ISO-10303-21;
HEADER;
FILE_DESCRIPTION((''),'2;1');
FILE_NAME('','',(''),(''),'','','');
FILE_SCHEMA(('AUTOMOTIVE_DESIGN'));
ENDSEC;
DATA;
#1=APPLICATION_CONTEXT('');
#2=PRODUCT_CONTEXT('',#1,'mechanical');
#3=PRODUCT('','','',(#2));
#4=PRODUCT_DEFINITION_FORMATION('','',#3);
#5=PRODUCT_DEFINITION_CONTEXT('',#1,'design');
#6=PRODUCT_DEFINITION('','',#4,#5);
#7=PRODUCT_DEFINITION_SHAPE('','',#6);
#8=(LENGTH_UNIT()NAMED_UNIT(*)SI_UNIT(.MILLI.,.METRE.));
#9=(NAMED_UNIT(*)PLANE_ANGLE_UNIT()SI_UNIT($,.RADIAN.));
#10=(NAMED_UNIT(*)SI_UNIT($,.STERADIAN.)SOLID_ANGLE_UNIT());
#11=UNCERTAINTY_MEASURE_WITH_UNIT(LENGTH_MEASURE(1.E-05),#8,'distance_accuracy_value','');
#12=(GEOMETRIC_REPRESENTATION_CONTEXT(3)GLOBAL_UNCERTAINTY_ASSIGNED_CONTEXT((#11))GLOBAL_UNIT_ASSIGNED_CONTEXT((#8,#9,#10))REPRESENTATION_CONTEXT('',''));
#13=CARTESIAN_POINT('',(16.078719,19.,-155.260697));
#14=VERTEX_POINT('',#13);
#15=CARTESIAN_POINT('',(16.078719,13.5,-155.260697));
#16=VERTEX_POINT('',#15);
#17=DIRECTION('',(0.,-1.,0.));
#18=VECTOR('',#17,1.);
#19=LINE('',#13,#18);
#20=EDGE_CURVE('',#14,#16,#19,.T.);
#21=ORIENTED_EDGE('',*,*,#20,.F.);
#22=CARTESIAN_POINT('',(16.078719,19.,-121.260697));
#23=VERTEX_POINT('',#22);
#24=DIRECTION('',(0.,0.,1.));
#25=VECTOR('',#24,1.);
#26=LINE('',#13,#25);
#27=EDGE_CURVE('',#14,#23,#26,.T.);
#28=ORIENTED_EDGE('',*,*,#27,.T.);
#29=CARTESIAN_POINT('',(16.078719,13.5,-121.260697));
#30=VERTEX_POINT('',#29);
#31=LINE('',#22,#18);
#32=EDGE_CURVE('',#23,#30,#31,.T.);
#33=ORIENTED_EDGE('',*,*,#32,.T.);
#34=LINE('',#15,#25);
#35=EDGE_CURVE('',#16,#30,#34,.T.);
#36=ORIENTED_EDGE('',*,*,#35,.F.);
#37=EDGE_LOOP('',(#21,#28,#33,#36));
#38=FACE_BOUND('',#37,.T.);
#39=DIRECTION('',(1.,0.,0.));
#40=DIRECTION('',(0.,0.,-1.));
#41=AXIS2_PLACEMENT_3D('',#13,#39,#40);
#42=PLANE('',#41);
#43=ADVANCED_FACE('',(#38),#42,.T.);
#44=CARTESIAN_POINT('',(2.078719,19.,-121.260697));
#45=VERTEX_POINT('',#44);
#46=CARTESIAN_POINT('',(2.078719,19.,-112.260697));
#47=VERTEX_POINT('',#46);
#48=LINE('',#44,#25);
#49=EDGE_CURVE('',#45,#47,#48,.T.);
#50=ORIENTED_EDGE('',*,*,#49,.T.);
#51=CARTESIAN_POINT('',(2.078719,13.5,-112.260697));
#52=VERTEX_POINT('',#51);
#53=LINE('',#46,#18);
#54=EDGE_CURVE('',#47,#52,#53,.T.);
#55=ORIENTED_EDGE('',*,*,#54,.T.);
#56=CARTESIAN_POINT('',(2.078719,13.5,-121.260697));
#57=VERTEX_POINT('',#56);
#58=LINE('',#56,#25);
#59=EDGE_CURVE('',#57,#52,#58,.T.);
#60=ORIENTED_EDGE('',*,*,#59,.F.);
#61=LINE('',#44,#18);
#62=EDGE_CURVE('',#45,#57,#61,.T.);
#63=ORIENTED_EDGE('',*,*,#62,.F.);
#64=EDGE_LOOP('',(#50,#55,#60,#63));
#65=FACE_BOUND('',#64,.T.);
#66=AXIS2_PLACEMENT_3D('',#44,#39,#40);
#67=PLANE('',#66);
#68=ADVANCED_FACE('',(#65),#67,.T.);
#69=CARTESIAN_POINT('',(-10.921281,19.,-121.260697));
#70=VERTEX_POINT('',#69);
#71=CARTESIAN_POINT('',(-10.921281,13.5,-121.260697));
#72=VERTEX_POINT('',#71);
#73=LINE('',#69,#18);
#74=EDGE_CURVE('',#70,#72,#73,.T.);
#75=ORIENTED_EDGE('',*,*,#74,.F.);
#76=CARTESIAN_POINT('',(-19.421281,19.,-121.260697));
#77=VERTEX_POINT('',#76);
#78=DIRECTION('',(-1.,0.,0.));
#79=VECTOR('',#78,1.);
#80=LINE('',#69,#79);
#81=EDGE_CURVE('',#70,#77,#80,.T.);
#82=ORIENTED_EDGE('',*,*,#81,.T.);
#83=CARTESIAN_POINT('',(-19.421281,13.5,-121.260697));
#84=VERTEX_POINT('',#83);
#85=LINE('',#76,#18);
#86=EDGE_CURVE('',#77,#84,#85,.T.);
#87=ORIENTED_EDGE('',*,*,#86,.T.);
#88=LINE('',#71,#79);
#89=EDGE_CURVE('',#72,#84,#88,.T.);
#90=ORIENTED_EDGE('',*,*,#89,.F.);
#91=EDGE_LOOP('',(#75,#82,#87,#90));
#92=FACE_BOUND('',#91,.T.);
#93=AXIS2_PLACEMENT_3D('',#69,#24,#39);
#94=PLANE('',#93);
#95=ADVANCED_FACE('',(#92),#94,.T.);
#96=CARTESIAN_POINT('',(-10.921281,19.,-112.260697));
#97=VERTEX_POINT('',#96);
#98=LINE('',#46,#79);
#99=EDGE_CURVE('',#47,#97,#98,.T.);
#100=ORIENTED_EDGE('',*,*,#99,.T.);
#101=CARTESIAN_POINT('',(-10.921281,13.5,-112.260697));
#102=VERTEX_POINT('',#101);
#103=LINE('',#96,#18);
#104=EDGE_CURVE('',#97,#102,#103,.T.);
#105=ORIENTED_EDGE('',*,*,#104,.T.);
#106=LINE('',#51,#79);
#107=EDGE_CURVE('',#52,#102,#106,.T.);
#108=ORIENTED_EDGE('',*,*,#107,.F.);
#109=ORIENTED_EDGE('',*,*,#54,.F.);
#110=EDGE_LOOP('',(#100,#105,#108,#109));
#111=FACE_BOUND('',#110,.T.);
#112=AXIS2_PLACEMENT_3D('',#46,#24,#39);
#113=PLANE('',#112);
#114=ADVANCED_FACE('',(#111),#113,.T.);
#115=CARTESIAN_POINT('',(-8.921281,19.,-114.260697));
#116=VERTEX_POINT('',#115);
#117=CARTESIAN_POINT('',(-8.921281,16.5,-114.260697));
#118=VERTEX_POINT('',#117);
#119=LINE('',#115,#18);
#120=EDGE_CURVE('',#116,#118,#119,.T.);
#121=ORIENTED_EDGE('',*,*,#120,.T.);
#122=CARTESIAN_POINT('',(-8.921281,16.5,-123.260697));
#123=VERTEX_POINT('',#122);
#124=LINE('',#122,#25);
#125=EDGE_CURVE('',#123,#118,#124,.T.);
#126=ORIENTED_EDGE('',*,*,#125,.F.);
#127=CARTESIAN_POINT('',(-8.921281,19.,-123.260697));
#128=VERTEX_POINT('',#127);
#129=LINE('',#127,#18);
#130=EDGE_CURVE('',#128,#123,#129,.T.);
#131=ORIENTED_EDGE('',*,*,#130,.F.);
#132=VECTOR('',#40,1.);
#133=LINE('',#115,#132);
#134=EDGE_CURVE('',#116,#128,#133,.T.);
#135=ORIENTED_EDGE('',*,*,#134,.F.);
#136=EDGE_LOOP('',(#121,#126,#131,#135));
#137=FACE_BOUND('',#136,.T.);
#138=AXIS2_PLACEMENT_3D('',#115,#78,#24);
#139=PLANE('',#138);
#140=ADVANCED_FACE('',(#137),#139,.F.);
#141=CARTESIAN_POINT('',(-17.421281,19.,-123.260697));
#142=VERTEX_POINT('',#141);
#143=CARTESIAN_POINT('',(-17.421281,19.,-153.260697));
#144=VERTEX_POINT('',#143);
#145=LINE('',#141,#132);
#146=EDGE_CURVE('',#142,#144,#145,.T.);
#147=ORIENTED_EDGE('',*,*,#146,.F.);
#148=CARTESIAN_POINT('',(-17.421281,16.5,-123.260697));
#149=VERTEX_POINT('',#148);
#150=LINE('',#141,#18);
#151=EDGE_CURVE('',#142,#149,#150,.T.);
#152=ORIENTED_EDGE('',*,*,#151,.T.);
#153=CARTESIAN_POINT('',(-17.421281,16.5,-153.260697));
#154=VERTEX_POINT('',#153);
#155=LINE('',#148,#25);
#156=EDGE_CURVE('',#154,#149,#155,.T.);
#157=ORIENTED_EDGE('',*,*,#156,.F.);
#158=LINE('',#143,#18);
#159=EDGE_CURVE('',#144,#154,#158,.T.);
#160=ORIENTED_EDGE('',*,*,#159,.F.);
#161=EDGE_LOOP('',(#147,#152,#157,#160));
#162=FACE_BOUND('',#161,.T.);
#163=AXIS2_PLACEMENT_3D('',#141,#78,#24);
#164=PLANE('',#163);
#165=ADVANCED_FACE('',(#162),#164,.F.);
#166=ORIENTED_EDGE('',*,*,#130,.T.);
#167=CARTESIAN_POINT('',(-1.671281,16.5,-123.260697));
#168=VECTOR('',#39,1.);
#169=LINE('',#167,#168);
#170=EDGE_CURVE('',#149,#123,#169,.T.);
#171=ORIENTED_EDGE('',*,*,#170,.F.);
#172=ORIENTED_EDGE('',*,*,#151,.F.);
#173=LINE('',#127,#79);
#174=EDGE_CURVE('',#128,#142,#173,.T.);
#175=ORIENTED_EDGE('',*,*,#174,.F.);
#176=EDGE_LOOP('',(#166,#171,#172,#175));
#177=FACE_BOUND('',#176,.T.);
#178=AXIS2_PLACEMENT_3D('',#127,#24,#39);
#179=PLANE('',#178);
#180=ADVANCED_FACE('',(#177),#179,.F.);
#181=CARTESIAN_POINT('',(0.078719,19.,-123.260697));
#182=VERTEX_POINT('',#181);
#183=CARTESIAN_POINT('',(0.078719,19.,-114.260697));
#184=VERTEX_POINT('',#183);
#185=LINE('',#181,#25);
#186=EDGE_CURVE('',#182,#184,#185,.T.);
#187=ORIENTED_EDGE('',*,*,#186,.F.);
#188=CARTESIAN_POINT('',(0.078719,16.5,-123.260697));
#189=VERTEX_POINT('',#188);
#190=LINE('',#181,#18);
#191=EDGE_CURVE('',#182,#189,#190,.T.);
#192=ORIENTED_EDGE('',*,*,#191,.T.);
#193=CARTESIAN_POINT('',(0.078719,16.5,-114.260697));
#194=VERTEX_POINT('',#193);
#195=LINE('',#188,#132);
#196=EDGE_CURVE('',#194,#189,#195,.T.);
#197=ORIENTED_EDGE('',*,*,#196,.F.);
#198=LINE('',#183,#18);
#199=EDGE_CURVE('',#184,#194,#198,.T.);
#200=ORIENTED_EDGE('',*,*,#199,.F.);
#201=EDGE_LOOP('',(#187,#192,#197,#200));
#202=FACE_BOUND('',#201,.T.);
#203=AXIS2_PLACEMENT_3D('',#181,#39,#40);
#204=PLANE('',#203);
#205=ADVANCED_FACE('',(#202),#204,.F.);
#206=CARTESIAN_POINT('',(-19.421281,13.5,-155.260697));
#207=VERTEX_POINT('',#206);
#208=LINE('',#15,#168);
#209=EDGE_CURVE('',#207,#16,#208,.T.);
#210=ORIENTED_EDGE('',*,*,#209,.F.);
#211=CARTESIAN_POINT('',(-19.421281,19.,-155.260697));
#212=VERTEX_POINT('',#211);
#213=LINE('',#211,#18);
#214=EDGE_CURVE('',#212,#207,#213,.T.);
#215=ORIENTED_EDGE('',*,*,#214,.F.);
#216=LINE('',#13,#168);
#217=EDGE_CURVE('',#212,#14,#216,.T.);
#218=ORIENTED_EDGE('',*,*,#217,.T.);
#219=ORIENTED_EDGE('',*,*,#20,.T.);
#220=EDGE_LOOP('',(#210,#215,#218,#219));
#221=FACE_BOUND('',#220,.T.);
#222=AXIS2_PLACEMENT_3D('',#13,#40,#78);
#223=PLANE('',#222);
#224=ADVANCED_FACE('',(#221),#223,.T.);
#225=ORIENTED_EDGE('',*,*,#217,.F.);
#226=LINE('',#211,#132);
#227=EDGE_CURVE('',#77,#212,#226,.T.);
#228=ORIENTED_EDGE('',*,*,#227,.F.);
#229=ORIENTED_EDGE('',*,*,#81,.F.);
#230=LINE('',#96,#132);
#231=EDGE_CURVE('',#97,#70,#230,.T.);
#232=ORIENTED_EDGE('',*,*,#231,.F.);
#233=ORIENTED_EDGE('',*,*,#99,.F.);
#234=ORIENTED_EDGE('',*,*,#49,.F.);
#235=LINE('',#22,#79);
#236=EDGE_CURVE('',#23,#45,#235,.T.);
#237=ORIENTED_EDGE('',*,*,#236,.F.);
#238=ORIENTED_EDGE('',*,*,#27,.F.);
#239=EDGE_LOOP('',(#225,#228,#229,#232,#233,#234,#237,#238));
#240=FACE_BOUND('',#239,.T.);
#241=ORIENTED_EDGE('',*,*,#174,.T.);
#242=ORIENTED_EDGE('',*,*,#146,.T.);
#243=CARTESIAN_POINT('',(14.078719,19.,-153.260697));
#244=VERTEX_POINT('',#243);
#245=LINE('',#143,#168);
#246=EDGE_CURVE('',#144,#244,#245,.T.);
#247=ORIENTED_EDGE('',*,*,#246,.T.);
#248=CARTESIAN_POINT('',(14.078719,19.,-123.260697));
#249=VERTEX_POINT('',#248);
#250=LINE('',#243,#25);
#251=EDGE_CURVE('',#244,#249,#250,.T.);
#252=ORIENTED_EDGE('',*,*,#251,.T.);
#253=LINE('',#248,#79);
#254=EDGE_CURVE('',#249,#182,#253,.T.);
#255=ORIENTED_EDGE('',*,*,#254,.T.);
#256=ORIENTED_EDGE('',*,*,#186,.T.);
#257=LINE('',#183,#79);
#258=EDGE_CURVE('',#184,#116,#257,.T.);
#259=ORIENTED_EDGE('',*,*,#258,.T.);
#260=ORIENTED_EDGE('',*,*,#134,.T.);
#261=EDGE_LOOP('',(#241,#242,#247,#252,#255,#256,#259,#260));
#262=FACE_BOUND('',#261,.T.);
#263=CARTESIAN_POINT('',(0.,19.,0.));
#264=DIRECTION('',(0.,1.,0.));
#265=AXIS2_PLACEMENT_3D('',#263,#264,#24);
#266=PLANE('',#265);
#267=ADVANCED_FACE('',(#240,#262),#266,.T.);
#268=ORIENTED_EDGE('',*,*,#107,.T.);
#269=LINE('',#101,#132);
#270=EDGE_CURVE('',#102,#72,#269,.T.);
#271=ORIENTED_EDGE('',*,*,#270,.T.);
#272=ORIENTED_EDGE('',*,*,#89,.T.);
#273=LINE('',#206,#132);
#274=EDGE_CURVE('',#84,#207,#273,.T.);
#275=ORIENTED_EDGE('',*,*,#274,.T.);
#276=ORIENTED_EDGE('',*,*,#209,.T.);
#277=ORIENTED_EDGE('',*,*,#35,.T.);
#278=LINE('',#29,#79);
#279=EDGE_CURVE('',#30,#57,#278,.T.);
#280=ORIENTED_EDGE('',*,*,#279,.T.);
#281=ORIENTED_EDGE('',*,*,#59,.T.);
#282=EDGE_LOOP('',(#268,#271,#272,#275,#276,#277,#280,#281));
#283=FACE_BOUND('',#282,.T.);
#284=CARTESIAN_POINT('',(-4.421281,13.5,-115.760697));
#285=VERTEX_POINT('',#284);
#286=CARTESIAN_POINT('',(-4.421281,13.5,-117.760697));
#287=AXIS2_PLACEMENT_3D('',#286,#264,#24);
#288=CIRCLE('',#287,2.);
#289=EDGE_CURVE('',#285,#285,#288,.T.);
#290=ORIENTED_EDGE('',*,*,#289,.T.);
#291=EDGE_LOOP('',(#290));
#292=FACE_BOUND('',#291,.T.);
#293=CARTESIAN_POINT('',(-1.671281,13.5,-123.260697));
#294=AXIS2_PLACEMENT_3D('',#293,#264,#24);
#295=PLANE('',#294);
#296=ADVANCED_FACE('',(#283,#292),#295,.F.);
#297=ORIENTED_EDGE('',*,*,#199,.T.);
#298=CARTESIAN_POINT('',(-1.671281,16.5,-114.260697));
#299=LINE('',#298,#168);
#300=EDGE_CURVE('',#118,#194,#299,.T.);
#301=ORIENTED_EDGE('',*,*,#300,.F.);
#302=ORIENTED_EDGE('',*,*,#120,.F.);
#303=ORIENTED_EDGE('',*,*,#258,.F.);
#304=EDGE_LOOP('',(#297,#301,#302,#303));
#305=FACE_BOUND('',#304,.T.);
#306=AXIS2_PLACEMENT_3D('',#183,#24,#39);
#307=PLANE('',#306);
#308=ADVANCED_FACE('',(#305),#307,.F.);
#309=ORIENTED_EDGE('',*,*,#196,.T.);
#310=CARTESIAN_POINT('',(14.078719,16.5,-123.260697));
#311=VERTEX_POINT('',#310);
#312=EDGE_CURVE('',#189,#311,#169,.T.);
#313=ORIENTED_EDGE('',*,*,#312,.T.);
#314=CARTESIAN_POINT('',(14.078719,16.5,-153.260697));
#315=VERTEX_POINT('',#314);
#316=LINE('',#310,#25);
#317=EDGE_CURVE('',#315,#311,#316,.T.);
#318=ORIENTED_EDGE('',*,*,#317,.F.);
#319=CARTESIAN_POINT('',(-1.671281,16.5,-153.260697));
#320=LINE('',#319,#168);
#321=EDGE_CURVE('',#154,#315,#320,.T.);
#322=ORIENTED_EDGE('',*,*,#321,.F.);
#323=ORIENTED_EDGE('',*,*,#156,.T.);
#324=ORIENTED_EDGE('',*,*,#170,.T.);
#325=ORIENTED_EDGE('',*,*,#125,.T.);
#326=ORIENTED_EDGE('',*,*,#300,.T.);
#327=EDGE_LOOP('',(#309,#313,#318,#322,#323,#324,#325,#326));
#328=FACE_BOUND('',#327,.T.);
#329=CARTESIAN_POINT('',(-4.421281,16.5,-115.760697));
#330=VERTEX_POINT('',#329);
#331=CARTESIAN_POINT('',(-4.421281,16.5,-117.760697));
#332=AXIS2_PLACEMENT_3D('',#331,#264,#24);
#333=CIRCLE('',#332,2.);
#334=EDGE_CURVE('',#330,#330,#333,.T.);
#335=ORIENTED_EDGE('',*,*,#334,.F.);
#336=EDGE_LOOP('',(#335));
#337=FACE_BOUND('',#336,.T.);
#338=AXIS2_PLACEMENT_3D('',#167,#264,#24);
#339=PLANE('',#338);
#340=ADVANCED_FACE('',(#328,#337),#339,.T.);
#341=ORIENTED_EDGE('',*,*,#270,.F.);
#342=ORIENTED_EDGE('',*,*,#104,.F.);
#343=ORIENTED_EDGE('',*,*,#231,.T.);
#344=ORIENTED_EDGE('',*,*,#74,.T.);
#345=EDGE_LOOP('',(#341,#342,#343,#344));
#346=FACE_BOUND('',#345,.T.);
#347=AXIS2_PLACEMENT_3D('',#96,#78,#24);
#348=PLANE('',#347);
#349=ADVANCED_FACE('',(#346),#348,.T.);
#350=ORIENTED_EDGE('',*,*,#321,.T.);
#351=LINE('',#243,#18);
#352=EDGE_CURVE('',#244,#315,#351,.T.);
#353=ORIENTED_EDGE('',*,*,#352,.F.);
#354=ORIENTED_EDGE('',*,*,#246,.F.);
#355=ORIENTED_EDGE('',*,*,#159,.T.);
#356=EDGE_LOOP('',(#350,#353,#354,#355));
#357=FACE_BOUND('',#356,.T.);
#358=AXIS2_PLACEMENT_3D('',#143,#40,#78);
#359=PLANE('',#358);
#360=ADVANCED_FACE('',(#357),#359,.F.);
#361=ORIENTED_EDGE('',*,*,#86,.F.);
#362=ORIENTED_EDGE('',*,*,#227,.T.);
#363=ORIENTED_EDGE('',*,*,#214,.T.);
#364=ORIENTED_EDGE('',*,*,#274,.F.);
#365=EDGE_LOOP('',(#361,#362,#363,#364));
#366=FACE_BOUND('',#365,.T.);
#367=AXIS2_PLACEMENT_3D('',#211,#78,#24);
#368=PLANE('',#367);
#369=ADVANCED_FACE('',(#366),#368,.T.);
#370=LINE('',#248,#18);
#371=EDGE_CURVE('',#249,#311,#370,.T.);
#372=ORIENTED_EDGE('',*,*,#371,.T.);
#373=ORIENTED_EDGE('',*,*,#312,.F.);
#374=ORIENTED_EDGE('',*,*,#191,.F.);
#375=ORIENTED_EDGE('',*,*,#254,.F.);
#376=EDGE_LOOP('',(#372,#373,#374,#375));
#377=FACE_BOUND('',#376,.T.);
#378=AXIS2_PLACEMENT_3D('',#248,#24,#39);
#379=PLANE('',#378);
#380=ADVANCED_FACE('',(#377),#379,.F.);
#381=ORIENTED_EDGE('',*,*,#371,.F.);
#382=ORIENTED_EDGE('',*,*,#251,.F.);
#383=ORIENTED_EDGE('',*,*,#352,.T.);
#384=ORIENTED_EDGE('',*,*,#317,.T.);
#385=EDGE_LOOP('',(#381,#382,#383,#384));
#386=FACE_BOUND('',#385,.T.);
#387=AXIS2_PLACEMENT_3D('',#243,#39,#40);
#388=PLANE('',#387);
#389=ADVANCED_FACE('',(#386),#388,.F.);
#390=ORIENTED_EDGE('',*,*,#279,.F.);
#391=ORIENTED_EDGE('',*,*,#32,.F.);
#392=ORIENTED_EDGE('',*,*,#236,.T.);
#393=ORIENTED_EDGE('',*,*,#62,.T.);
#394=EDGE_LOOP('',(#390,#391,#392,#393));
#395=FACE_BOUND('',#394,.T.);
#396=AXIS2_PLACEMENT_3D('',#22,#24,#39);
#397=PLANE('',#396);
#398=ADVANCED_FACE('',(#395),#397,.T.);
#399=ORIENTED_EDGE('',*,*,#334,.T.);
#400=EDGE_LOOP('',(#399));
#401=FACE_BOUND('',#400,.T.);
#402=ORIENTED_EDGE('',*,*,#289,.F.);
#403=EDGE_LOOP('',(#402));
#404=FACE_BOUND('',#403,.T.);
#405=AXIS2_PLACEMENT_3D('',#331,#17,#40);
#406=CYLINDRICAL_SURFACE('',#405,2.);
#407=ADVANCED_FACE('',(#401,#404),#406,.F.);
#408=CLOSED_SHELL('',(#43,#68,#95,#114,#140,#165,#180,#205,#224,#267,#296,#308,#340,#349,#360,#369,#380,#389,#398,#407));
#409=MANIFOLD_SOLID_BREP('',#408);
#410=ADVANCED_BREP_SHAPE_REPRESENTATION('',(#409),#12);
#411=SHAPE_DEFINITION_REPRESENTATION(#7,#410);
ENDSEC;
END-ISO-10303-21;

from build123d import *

# Parameters (mm, degrees)
SKETCH1_R           = 20
BOSS_EXTRUDE1_DEPTH = 30
SCALE1_SCALE        = 0.1
BOSS_EXTRUDE2_DEPTH = 5.5


with BuildPart() as part:
    # Sketch1 → Boss-Extrude1 (new body)
    with BuildSketch(Plane(origin=(0, 0, 0), x_dir=(1, 0, 0), z_dir=(0, 1, 0))):
        Polygon((17.5, -90), (17.5, 0), (157.5, 0), (157.5, 300), (-157.5, 300), (-157.5, 0), (-72.5, 0), (-72.5, -90), align=None)
        with Locations((-27.5, -55)):
            Circle(SKETCH1_R, mode=Mode.SUBTRACT)
    extrude(amount=BOSS_EXTRUDE1_DEPTH)


with BuildPart() as part_1:
    # Scale1: scaled about (-1.856978843, 15, -136.956329807)
    add(part.part.scale(SCALE1_SCALE).moved(Location((-1.671280959, 13.5, -123.260696826))))

    # Sketch2 → Boss-Extrude2 (add)
    with BuildSketch(Plane.XZ.offset(-13.5)):
        Polygon((-19.421280958, -155.260696826), (-19.421280958, -121.260696826), (-10.921280958, -121.260696826), (-10.921280958, -112.260696826), (2.078719042, -112.260696826), (2.078719042, -121.260696826), (16.078719042, -121.260696826), (16.078719042, -155.260696826), align=None)
        Polygon((14.078719042, -153.260696826), (14.078719042, -123.260696826), (0.078719042, -123.260696826), (0.078719042, -114.260696826), (-8.921280958, -114.260696826), (-8.921280958, -123.260696826), (-17.421280958, -123.260696826), (-17.421280958, -153.260696826), align=None, mode=Mode.SUBTRACT)
    extrude(amount=-BOSS_EXTRUDE2_DEPTH)


solid = part_1.part
